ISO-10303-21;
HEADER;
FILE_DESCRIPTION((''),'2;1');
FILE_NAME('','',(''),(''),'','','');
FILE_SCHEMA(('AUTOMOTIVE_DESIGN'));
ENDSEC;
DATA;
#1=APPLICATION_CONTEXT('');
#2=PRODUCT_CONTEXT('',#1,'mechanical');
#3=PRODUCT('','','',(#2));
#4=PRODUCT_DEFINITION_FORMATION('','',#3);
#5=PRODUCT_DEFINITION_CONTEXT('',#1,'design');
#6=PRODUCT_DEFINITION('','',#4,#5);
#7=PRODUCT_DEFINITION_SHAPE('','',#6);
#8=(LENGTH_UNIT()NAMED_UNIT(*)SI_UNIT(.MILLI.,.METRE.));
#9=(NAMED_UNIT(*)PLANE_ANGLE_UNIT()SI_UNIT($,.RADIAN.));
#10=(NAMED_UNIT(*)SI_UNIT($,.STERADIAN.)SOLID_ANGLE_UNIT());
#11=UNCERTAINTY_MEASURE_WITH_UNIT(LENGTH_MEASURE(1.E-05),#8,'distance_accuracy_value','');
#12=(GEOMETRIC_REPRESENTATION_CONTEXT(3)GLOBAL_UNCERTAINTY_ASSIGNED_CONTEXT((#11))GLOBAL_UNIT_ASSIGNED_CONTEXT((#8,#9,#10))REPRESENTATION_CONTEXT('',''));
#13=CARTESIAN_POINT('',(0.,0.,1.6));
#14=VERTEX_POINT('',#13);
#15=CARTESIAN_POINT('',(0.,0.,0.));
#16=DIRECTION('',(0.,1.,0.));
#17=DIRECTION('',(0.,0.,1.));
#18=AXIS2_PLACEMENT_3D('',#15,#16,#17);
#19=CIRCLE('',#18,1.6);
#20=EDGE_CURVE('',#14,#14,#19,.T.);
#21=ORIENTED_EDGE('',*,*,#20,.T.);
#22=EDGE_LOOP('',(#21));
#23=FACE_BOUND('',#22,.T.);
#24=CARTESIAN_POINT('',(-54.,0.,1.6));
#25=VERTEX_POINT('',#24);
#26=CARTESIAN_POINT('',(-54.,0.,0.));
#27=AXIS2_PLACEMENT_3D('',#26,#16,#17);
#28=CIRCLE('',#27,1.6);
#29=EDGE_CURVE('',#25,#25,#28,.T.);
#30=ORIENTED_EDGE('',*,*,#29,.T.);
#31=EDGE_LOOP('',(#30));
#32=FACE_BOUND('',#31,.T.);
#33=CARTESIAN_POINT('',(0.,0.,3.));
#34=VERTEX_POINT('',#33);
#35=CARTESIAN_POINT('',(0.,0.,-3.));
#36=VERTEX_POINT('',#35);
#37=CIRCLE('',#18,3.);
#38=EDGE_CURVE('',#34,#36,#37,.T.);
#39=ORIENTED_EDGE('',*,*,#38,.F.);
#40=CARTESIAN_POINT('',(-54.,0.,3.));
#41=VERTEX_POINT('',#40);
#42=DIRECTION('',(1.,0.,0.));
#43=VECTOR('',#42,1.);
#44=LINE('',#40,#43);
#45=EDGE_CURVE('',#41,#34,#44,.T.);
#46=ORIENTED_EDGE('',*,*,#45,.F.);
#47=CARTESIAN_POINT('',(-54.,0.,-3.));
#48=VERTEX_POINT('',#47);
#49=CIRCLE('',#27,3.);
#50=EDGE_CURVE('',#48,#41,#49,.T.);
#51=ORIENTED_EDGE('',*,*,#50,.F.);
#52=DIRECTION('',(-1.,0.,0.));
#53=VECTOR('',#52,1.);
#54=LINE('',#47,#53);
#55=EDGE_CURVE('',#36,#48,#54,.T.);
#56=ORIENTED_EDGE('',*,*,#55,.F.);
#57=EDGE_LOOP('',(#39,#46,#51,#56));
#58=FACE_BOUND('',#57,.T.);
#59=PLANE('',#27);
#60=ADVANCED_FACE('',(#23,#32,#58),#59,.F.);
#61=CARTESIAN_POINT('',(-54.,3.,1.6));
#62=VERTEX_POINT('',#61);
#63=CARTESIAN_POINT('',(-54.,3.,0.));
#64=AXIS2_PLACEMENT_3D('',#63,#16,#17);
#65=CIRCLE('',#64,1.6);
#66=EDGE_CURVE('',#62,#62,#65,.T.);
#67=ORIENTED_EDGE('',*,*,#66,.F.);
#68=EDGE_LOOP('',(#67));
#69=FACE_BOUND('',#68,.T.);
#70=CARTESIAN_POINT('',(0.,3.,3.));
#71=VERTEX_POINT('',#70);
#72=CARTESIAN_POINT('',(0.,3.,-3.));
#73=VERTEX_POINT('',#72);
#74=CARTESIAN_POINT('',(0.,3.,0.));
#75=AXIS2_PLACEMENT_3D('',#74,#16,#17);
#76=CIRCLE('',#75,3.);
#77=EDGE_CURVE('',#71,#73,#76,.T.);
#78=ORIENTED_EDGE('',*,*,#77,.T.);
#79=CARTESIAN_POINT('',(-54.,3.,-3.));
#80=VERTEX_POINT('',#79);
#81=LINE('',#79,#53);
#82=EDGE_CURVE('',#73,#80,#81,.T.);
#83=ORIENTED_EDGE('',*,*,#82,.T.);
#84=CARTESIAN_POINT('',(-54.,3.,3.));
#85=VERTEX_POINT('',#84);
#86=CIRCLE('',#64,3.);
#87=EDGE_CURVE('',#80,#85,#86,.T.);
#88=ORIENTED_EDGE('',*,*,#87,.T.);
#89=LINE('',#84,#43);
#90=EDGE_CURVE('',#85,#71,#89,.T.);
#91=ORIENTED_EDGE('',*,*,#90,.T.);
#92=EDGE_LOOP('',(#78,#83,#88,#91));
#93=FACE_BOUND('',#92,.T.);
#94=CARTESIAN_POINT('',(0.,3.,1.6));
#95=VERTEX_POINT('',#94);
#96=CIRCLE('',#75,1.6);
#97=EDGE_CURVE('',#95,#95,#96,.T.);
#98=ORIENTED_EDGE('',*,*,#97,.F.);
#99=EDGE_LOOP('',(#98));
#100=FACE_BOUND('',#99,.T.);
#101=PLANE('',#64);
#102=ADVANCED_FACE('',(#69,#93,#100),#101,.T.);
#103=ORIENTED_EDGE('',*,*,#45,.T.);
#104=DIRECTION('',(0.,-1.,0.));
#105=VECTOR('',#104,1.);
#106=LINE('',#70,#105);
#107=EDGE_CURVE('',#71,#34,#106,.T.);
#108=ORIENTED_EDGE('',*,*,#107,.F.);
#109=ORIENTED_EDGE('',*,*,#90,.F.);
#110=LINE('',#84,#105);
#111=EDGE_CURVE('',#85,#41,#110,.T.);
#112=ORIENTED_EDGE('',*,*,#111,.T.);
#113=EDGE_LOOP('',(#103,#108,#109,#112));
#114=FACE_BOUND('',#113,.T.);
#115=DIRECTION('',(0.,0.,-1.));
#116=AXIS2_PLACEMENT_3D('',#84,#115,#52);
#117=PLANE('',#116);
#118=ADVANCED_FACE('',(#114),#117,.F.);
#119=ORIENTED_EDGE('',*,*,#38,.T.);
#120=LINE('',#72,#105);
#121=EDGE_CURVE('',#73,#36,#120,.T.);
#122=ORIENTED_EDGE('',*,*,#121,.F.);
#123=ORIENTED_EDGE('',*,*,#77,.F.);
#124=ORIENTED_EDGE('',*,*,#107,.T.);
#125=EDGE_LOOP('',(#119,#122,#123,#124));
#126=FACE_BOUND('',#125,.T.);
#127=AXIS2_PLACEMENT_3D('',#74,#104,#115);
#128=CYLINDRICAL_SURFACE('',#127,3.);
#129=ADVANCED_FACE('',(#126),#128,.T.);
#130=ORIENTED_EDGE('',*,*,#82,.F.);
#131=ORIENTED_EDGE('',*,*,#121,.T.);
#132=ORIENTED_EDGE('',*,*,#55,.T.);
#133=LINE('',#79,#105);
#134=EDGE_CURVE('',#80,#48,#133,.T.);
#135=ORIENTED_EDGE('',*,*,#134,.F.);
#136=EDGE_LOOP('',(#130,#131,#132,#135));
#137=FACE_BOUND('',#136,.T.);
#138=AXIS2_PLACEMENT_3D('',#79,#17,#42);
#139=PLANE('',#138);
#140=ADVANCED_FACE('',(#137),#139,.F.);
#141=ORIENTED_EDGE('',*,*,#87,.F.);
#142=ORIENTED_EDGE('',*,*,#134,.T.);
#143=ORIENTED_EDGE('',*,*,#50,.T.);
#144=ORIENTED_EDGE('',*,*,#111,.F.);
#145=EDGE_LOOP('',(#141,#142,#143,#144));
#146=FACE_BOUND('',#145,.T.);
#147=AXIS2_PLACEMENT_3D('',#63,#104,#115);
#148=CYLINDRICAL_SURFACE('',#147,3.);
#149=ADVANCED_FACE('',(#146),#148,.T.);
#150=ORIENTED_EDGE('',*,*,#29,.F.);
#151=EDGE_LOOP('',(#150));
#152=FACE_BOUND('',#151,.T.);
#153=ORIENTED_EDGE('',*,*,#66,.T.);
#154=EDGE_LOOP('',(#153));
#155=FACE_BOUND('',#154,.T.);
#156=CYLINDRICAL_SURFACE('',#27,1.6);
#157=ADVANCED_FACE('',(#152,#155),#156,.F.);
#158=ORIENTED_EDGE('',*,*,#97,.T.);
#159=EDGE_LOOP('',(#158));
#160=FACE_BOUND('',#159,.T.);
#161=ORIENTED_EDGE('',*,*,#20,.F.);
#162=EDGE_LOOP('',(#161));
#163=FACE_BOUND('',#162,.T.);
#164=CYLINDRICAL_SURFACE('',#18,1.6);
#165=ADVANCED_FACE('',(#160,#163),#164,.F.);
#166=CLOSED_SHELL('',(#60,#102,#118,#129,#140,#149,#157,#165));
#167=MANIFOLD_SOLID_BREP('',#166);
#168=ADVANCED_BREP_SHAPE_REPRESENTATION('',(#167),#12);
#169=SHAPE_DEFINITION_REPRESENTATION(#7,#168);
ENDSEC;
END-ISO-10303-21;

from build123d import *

# Parameters (mm, degrees)
EXTRUDE_1_DEPTH     = 3
SKETCH_2_R          = 1.6
CUT_EXTRUDE_1_DEPTH = 4


with BuildPart() as part:
    # 草图1 → 凸台-拉伸1 (new body)
    with BuildSketch(Plane(origin=(0, 0, 0), x_dir=(1, 0, 0), z_dir=(0, 1, 0))):
        with BuildLine():
            Line((-54, -3), (0, -3))
            ThreePointArc((0, -3), (3, 0), (0, 3))
            Line((0, 3), (-54, 3))
            ThreePointArc((-54, 3), (-57, 0), (-54, -3))
        make_face()
    extrude(amount=EXTRUDE_1_DEPTH)

    # 草图2 → 切除-拉伸1 (cut, through all)
    with BuildSketch(Plane(origin=(0, 3, 0), x_dir=(1, 0, 0), z_dir=(0, 1, 0))):
        with Locations((-54, 0)):
            Circle(SKETCH_2_R)
        Circle(SKETCH_2_R)
    extrude(amount=-CUT_EXTRUDE_1_DEPTH, mode=Mode.SUBTRACT)


solid = part.part
